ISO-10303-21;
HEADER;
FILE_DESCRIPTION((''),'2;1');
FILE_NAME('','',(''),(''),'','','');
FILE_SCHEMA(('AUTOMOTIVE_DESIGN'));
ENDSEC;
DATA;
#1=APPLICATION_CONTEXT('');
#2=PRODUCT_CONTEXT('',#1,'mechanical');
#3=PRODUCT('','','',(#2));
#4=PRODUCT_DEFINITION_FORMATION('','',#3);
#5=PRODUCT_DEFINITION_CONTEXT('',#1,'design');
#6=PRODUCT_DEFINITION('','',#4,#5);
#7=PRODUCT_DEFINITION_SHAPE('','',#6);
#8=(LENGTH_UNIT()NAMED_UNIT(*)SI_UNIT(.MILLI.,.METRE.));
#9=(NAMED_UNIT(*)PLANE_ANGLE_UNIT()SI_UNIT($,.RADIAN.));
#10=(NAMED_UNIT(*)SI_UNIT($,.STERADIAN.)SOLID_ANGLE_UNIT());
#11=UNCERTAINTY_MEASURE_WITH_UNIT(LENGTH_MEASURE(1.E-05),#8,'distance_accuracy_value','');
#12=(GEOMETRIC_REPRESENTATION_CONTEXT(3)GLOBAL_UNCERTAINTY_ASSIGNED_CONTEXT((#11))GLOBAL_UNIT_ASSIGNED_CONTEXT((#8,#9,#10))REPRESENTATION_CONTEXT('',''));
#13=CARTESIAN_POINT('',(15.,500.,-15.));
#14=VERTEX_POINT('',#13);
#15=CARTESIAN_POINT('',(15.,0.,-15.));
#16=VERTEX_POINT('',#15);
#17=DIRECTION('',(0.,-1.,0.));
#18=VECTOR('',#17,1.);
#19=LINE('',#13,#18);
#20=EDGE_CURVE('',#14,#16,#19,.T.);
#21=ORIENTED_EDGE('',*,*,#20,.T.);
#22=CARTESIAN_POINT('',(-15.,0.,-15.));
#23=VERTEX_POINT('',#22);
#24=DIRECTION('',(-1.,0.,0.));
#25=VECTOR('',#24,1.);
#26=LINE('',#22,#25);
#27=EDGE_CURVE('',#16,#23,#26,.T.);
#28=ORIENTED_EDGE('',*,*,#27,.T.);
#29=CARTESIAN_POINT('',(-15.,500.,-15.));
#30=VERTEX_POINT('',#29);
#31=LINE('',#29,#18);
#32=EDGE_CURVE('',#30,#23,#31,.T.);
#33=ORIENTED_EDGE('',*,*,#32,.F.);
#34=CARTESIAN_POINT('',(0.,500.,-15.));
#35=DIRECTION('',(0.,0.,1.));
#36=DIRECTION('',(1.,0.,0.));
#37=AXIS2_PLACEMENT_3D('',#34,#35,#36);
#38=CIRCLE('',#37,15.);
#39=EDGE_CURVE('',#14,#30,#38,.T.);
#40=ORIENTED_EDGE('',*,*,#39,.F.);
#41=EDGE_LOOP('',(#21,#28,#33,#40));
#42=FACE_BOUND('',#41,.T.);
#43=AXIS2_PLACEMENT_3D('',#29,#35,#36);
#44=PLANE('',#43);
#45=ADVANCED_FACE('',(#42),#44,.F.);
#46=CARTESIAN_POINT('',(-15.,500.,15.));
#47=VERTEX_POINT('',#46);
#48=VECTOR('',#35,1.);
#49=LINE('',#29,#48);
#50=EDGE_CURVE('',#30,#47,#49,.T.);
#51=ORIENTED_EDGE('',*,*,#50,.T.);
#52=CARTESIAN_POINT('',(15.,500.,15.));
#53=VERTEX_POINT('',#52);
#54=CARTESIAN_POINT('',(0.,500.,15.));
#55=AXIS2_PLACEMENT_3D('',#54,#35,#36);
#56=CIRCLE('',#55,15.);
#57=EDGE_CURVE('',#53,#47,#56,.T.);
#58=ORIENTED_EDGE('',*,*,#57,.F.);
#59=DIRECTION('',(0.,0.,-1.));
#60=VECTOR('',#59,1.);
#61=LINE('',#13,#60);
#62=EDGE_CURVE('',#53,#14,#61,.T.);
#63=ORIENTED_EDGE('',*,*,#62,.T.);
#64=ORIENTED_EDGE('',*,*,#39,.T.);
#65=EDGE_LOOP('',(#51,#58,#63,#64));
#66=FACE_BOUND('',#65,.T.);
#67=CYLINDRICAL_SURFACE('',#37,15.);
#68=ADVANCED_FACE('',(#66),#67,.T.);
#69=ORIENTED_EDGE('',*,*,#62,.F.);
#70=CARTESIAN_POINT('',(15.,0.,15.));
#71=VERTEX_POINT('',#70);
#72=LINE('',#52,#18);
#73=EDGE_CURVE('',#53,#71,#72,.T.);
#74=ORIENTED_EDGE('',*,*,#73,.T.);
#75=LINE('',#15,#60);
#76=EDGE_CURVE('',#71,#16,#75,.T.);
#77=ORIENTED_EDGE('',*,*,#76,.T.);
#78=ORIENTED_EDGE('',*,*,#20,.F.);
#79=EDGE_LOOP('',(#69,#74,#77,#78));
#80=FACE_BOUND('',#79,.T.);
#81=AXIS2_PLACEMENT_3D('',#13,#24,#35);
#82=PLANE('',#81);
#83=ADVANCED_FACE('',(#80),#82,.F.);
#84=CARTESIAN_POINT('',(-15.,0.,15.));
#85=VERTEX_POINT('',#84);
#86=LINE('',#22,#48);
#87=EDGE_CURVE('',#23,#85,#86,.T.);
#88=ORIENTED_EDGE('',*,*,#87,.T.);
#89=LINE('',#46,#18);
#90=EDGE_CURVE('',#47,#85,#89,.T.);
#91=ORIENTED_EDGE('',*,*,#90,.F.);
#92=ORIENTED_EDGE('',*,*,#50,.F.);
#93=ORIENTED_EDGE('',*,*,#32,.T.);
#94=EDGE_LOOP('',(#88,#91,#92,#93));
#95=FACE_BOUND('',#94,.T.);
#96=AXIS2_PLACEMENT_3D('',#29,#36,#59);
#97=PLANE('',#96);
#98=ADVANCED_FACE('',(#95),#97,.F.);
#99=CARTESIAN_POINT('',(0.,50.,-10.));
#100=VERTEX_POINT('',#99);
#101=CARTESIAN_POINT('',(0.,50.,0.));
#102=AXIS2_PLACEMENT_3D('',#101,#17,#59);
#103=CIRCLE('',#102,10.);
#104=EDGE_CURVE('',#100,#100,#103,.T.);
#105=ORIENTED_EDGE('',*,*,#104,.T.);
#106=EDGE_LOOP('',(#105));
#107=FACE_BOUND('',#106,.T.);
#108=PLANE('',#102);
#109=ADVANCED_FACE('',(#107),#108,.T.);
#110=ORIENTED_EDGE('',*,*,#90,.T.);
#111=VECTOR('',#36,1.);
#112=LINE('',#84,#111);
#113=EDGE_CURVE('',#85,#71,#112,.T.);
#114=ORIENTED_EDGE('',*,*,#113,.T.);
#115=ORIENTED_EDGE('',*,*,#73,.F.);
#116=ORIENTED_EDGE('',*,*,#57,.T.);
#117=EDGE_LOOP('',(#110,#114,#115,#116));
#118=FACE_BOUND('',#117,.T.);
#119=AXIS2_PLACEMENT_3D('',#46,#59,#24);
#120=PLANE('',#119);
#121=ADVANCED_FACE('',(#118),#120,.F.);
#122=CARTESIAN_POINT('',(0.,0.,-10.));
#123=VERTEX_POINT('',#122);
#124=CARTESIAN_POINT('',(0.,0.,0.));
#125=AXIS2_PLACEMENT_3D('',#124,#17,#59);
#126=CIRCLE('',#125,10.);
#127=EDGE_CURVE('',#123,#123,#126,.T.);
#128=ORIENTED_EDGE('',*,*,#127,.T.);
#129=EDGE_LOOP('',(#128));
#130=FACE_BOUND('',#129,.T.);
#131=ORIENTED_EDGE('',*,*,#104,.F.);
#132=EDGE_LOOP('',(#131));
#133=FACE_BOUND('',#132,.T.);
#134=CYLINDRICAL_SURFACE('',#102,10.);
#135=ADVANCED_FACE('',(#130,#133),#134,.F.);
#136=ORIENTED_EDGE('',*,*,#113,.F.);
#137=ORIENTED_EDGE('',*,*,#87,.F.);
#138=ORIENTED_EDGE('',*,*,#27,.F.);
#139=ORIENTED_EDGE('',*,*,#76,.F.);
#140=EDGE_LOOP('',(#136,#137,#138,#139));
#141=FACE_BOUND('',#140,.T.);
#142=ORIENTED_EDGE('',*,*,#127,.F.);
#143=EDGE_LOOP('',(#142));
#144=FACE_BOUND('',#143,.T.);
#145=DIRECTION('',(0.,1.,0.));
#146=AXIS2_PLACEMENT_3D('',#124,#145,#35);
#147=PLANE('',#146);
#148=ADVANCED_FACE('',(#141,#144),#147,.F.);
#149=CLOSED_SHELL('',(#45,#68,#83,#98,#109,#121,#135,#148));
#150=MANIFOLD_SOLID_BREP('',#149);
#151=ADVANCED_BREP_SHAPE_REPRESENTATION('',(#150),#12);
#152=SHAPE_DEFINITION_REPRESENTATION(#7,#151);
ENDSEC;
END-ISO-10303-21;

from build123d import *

# Parameters (mm, degrees)
SKETCH1_W           = 30
SKETCH1_H           = 30
BOSS_EXTRUDE1_DEPTH = 500
SKETCH2_R           = 15
BOSS_EXTRUDE2_DEPTH = 30
SKETCH4_R           = 10
CUT_EXTRUDE1_DEPTH  = 50


with BuildPart() as part:
    # Sketch1 → Boss-Extrude1 (new body)
    with BuildSketch(Plane(origin=(0, 0, 0), x_dir=(1, 0, 0), z_dir=(0, 1, 0))):
        Rectangle(SKETCH1_W, SKETCH1_H)
    extrude(amount=BOSS_EXTRUDE1_DEPTH)

    # Sketch2 → Boss-Extrude2 (add)
    with BuildSketch(Plane.XY.offset(15)):
        with Locations((0, 500)):
            Circle(SKETCH2_R)
    extrude(amount=-BOSS_EXTRUDE2_DEPTH)

    # Sketch4 → Cut-Extrude1 (cut)
    with BuildSketch(Plane.XZ):
        Circle(SKETCH4_R)
    extrude(amount=-CUT_EXTRUDE1_DEPTH, mode=Mode.SUBTRACT)


solid = part.part
